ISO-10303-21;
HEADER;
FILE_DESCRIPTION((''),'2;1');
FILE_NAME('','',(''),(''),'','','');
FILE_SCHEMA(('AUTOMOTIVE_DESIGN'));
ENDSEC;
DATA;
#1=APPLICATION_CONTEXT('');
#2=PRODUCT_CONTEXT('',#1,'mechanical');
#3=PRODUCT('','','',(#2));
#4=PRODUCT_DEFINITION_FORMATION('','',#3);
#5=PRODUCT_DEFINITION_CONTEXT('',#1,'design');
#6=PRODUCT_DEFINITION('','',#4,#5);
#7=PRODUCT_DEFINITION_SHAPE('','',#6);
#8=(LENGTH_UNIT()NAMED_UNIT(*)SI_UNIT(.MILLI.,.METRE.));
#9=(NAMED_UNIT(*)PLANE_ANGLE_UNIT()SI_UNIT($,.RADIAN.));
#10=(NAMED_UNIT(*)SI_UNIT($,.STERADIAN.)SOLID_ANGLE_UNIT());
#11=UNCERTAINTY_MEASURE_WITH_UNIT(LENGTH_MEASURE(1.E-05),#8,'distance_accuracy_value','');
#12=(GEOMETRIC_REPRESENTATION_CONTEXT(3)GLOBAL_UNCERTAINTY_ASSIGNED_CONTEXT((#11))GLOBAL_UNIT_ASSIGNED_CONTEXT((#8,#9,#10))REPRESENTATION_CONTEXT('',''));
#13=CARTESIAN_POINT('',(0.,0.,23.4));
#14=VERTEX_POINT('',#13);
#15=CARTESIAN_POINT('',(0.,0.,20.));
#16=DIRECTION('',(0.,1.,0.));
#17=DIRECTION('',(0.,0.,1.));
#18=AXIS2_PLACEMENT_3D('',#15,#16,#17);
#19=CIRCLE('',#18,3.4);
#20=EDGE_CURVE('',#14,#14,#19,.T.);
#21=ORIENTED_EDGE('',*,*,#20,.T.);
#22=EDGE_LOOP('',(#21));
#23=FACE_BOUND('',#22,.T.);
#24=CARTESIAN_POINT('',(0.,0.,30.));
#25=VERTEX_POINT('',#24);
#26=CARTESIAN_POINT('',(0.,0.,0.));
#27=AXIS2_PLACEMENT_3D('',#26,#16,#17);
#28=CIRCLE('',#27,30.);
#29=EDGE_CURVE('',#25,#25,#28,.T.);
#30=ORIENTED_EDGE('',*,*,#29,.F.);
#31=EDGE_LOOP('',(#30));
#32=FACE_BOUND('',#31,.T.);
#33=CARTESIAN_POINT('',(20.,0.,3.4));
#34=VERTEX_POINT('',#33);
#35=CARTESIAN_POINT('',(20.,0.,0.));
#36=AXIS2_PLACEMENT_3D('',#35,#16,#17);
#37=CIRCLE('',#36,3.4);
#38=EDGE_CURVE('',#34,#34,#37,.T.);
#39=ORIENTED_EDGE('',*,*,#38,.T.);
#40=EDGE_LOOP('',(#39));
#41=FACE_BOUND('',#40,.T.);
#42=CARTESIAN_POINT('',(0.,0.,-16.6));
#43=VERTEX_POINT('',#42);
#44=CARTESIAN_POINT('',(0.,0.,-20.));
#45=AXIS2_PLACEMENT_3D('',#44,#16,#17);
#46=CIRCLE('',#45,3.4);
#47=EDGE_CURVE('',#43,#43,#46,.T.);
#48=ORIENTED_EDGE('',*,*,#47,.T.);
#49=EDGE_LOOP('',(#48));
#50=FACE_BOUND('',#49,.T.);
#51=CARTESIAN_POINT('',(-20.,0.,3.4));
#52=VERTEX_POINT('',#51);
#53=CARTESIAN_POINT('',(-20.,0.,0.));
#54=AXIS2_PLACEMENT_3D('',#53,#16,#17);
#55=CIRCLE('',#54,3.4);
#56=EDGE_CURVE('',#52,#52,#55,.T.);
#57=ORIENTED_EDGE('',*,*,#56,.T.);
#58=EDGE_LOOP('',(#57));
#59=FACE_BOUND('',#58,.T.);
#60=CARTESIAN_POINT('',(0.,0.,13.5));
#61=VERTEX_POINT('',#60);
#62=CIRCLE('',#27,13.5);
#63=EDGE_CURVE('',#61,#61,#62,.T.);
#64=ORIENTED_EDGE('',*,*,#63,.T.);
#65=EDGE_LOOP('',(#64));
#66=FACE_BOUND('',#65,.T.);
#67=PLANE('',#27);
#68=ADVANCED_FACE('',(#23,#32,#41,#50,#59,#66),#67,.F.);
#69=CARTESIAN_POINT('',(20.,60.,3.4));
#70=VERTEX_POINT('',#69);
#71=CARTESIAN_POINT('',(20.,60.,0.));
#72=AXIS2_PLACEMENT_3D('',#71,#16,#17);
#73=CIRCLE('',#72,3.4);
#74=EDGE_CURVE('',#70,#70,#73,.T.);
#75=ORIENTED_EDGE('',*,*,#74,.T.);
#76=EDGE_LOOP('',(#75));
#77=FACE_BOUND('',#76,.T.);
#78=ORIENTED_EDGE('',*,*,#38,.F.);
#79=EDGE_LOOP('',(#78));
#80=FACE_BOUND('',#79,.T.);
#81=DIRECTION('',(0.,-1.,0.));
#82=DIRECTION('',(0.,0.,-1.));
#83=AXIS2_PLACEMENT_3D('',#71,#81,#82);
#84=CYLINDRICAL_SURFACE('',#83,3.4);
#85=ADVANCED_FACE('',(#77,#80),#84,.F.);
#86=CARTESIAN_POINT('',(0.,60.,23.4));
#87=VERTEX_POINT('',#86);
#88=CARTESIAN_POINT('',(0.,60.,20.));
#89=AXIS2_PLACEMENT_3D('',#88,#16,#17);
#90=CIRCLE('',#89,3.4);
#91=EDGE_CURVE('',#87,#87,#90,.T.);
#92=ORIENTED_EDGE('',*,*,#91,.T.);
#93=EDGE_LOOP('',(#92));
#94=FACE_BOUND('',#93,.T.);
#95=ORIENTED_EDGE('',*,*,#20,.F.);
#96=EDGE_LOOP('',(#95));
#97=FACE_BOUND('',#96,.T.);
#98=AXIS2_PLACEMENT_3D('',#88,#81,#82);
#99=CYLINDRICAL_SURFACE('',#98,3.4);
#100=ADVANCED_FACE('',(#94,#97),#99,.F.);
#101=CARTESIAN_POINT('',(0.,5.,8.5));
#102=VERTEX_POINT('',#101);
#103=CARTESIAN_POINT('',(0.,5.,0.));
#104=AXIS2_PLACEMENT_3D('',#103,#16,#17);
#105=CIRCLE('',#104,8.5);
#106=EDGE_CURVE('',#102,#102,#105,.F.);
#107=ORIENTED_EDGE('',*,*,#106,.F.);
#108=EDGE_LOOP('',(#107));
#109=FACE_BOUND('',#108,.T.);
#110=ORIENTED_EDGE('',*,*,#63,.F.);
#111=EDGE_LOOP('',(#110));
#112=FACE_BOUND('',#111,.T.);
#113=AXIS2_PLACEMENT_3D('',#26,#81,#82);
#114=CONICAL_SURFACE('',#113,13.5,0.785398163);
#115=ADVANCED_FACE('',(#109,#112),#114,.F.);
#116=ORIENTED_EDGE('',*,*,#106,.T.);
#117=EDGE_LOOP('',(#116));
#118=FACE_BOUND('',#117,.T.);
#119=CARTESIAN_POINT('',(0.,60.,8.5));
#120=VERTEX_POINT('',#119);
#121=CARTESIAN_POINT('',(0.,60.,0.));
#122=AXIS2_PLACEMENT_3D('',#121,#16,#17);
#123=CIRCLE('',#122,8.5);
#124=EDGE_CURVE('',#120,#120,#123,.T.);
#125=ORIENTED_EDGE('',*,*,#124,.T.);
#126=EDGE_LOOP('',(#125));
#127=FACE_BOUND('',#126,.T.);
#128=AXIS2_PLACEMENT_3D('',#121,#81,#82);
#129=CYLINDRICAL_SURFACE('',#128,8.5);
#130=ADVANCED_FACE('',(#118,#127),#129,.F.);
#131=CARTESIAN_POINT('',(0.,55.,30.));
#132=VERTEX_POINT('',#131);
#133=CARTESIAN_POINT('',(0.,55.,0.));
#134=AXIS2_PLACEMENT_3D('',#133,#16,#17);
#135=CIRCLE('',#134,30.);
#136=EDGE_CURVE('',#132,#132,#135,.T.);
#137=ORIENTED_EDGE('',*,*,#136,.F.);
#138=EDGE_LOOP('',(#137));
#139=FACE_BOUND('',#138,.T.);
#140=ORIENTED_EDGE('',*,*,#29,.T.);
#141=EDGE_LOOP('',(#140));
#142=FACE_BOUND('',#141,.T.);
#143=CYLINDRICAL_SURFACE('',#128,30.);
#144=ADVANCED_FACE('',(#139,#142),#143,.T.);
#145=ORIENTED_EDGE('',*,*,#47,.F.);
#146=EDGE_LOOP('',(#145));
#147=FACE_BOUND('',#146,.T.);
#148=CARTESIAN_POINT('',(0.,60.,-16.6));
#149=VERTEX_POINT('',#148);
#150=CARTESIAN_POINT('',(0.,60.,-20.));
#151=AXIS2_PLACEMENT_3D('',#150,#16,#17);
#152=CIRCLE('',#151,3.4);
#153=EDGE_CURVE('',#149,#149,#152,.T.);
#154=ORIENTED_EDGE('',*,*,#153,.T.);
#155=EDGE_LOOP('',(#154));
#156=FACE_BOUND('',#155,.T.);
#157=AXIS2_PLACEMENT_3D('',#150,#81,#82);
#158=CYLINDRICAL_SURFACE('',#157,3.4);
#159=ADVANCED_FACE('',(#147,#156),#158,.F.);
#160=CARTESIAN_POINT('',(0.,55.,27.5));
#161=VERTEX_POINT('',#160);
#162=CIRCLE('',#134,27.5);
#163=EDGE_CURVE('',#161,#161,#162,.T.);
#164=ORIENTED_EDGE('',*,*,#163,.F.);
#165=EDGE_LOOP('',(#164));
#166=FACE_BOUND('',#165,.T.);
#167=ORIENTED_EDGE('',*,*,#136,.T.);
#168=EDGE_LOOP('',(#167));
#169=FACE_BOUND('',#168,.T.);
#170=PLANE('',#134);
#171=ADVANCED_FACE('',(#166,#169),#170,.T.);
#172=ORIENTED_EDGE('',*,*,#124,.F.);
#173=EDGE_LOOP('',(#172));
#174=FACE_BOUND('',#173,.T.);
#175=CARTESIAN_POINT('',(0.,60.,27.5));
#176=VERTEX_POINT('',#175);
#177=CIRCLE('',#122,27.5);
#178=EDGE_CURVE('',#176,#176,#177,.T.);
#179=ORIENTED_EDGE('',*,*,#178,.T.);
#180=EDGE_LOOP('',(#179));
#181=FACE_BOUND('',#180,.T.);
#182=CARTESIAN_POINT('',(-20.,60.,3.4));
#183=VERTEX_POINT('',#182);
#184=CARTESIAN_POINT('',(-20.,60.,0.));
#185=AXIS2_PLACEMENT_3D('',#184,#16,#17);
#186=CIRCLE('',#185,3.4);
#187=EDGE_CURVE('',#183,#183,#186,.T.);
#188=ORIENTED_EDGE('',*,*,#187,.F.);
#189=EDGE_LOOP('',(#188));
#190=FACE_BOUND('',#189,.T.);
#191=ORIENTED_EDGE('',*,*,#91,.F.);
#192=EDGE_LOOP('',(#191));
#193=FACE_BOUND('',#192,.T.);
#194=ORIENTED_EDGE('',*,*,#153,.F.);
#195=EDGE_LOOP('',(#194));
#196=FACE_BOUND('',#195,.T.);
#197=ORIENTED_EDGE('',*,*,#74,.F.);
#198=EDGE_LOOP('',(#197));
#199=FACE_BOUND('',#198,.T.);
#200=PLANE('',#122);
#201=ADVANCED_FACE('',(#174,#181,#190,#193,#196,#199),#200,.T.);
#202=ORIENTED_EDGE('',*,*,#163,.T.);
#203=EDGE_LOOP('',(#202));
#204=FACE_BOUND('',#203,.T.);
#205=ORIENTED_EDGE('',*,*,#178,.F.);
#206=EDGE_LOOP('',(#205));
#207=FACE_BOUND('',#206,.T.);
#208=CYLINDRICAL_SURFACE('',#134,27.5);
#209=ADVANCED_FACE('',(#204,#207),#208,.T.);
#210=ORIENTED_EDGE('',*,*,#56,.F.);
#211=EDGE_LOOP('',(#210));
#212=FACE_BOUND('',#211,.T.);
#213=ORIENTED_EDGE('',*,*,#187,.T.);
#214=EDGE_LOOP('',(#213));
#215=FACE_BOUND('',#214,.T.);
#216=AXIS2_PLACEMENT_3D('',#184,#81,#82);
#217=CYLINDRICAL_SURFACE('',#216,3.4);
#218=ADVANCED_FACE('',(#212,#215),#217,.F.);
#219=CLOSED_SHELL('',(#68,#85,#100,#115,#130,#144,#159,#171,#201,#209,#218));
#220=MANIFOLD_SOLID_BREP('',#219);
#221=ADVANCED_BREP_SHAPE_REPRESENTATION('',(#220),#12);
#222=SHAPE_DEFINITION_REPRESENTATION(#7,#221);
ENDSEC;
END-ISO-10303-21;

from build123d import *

# Parameters (mm, degrees)
SKETCH1_R           = 30
SKETCH1_R_2         = 8.5
SKETCH1_R_3         = 3.4
BOSS_EXTRUDE1_DEPTH = 60
SKETCH3_R           = 30
SKETCH3_R_2         = 27.5
CUT_EXTRUDE1_DEPTH  = 5
CHAMFER1_SIZE       = 5


with BuildPart() as part:
    # Sketch1 → Boss-Extrude1 (new body)
    with BuildSketch(Plane(origin=(0, 0, 0), x_dir=(1, 0, 0), z_dir=(0, 1, 0))):
        Circle(SKETCH1_R)
        Circle(SKETCH1_R_2, mode=Mode.SUBTRACT)
        with Locations((-20, 0)):
            Circle(SKETCH1_R_3, mode=Mode.SUBTRACT)
        with Locations((0, 20)):
            Circle(SKETCH1_R_3, mode=Mode.SUBTRACT)
        with Locations((20, 0)):
            Circle(SKETCH1_R_3, mode=Mode.SUBTRACT)
        with Locations((0, -20)):
            Circle(SKETCH1_R_3, mode=Mode.SUBTRACT)
    extrude(amount=BOSS_EXTRUDE1_DEPTH)

    # Sketch3 → Cut-Extrude1 (cut)
    with BuildSketch(Plane(origin=(0, 60, 0), x_dir=(1, 0, 0), z_dir=(0, 1, 0))):
        Circle(SKETCH3_R)
        Circle(SKETCH3_R_2, mode=Mode.SUBTRACT)
    extrude(amount=-CUT_EXTRUDE1_DEPTH, mode=Mode.SUBTRACT)

    # Chamfer1
    chamfer1_edges = [part.edges().sort_by_distance(p)[0] for p in [
        (-8.5, 0, 0),
    ]]
    chamfer(chamfer1_edges, length=CHAMFER1_SIZE)


solid = part.part
